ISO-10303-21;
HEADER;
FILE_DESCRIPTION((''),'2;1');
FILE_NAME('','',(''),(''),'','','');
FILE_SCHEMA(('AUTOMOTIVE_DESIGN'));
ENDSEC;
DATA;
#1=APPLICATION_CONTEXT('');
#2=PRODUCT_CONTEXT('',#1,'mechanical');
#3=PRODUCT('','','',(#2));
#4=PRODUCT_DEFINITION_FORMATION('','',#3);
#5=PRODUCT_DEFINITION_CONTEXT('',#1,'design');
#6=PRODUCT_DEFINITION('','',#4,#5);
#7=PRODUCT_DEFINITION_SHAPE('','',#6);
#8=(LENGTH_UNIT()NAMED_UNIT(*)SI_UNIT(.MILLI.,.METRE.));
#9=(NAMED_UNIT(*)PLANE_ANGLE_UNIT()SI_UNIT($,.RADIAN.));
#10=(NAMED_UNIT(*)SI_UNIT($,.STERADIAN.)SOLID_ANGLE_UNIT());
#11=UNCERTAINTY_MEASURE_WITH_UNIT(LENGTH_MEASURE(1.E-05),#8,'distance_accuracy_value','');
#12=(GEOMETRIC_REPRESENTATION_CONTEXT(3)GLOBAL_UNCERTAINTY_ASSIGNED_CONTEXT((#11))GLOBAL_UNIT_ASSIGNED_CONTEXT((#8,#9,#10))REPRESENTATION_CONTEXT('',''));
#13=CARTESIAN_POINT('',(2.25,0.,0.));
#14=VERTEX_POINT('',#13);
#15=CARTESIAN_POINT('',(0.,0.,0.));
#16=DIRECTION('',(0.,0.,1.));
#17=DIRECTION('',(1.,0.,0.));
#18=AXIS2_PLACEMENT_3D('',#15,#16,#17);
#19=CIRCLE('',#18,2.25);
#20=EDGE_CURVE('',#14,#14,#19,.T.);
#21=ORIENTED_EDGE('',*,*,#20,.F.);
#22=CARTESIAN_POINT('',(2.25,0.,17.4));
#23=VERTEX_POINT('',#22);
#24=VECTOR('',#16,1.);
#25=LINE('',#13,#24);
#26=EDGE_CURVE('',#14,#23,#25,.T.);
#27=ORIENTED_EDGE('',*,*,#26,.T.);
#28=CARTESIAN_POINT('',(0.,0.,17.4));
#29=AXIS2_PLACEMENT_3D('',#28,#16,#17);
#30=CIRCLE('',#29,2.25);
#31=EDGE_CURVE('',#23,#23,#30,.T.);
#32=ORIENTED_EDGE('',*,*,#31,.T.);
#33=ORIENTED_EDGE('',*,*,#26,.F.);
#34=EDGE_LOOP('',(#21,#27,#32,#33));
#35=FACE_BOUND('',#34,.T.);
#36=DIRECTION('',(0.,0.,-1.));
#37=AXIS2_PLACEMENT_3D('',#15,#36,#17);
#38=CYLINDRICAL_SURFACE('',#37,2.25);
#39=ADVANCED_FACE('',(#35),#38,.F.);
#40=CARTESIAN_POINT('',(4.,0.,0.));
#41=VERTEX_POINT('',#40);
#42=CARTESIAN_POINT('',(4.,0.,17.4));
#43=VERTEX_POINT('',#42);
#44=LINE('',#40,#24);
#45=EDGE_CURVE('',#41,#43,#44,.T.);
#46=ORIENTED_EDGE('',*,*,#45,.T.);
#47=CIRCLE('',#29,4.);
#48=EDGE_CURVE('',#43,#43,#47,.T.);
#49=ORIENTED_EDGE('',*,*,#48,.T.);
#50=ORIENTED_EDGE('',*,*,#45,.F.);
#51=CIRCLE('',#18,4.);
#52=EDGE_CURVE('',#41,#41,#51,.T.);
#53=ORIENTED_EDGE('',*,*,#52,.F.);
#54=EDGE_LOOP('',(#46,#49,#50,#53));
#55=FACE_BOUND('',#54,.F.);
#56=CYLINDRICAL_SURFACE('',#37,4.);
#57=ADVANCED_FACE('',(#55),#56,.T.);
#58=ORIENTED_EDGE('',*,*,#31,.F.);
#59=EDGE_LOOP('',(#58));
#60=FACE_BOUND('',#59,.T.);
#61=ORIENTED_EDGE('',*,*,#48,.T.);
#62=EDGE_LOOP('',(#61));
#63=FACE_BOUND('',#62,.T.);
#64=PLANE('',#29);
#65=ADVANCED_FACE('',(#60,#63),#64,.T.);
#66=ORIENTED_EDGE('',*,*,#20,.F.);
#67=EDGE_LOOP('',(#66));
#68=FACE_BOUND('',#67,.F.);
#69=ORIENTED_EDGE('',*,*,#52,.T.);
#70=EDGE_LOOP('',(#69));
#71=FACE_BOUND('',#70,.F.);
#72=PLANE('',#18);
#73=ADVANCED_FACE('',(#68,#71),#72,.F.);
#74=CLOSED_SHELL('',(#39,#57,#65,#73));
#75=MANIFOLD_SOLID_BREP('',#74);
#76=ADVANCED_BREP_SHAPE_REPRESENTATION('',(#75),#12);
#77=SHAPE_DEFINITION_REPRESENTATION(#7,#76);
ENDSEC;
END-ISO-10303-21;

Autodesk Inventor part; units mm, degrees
ref_plane "YZ Plane" through (0, 0, 0) normal (1, 0, 0) x (0, 1, 0)
ref_plane "XZ Plane" through (0, 0, 0) normal (0, 1, 0) x (-1, 0, 0)
ref_plane "XY Plane" through (0, 0, 0) normal (0, 0, 1) x (1, 0, 0)
sketch "Skizze1" plane through (0, 0, 0) normal (0, 0, 1) x (1, 0, 0)
  circle A0 centre (0, 0) radius 2.25
  circle A1 centre (0, 0) radius 4
  dimension "d0" = 4.5
  dimension "d1" = 8
extrude "Extrusion1" add sketch "Skizze1" along normal blind 17.4
properties part number "Distanzhülse"
